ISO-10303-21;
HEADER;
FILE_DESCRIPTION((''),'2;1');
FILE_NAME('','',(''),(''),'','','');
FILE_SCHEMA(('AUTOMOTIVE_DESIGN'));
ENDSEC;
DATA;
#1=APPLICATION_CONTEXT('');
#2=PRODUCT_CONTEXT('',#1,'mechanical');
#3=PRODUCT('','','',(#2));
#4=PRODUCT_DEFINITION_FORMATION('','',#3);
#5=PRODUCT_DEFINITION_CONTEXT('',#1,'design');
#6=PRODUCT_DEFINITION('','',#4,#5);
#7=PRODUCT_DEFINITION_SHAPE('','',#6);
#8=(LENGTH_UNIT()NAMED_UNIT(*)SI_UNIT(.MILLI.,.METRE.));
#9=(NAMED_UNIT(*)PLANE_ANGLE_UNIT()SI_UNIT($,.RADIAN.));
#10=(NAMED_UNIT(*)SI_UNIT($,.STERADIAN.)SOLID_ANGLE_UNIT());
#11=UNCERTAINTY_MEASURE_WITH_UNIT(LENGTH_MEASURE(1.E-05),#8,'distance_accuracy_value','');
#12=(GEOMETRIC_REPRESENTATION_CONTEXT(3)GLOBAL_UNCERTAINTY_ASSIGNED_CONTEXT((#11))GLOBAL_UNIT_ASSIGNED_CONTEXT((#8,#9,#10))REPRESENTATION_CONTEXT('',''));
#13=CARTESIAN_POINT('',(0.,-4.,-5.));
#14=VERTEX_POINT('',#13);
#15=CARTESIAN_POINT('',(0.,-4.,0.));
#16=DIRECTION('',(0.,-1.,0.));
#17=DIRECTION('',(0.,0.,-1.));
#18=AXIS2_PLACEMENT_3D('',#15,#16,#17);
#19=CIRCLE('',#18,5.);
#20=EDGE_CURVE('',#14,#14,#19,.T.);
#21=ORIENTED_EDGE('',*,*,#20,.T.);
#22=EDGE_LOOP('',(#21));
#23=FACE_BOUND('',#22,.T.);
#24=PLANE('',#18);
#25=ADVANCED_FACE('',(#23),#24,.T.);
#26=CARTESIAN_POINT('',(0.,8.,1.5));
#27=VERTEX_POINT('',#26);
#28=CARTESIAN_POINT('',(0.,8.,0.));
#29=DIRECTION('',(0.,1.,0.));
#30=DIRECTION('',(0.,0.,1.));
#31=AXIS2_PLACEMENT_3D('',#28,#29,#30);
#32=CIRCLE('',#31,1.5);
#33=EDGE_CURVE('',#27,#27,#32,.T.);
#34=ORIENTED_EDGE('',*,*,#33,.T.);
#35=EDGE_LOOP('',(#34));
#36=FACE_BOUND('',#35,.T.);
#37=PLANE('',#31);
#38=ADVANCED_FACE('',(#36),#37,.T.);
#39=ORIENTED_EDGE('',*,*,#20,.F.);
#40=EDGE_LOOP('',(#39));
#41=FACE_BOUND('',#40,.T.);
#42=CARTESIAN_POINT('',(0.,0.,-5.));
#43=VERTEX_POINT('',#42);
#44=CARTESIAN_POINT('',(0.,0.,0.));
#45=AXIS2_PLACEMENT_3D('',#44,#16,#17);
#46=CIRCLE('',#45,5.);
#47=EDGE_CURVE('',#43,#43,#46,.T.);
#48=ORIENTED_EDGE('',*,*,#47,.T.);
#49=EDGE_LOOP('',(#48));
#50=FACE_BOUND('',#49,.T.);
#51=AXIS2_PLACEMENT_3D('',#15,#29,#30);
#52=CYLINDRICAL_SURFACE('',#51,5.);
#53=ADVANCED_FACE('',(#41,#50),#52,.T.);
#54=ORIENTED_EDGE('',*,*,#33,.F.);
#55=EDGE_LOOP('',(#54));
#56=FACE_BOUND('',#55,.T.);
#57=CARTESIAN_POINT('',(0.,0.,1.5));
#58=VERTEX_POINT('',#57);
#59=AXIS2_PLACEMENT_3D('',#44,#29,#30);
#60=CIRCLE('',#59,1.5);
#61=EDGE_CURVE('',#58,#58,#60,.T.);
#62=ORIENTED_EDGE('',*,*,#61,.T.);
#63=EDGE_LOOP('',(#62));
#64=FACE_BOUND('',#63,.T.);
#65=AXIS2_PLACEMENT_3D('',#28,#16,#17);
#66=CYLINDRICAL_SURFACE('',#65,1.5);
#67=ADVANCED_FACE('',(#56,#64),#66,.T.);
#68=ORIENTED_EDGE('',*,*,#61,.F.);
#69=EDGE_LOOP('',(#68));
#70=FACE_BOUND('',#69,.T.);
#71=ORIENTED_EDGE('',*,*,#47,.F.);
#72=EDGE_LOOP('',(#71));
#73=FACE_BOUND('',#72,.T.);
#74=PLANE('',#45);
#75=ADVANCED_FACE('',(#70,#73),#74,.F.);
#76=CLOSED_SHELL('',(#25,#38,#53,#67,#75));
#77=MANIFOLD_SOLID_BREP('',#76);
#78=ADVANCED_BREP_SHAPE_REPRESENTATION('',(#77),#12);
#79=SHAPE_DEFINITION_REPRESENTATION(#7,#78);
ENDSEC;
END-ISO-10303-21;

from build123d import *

# Parameters (mm, degrees)
SKETCH_1_R      = 1.5
EXTRUDE_1_DEPTH = 8
SKETCH_2_R      = 5
EXTRUDE_2_DEPTH = 4


with BuildPart() as part:
    # 草图1 → 凸台-拉伸1 (new body)
    with BuildSketch(Plane(origin=(0, 0, 0), x_dir=(1, 0, 0), z_dir=(0, 1, 0))):
        Circle(SKETCH_1_R)
    extrude(amount=EXTRUDE_1_DEPTH)

    # 草图2 → 凸台-拉伸2 (add)
    with BuildSketch(Plane.XZ):
        Circle(SKETCH_2_R)
    extrude(amount=EXTRUDE_2_DEPTH)


solid = part.part
